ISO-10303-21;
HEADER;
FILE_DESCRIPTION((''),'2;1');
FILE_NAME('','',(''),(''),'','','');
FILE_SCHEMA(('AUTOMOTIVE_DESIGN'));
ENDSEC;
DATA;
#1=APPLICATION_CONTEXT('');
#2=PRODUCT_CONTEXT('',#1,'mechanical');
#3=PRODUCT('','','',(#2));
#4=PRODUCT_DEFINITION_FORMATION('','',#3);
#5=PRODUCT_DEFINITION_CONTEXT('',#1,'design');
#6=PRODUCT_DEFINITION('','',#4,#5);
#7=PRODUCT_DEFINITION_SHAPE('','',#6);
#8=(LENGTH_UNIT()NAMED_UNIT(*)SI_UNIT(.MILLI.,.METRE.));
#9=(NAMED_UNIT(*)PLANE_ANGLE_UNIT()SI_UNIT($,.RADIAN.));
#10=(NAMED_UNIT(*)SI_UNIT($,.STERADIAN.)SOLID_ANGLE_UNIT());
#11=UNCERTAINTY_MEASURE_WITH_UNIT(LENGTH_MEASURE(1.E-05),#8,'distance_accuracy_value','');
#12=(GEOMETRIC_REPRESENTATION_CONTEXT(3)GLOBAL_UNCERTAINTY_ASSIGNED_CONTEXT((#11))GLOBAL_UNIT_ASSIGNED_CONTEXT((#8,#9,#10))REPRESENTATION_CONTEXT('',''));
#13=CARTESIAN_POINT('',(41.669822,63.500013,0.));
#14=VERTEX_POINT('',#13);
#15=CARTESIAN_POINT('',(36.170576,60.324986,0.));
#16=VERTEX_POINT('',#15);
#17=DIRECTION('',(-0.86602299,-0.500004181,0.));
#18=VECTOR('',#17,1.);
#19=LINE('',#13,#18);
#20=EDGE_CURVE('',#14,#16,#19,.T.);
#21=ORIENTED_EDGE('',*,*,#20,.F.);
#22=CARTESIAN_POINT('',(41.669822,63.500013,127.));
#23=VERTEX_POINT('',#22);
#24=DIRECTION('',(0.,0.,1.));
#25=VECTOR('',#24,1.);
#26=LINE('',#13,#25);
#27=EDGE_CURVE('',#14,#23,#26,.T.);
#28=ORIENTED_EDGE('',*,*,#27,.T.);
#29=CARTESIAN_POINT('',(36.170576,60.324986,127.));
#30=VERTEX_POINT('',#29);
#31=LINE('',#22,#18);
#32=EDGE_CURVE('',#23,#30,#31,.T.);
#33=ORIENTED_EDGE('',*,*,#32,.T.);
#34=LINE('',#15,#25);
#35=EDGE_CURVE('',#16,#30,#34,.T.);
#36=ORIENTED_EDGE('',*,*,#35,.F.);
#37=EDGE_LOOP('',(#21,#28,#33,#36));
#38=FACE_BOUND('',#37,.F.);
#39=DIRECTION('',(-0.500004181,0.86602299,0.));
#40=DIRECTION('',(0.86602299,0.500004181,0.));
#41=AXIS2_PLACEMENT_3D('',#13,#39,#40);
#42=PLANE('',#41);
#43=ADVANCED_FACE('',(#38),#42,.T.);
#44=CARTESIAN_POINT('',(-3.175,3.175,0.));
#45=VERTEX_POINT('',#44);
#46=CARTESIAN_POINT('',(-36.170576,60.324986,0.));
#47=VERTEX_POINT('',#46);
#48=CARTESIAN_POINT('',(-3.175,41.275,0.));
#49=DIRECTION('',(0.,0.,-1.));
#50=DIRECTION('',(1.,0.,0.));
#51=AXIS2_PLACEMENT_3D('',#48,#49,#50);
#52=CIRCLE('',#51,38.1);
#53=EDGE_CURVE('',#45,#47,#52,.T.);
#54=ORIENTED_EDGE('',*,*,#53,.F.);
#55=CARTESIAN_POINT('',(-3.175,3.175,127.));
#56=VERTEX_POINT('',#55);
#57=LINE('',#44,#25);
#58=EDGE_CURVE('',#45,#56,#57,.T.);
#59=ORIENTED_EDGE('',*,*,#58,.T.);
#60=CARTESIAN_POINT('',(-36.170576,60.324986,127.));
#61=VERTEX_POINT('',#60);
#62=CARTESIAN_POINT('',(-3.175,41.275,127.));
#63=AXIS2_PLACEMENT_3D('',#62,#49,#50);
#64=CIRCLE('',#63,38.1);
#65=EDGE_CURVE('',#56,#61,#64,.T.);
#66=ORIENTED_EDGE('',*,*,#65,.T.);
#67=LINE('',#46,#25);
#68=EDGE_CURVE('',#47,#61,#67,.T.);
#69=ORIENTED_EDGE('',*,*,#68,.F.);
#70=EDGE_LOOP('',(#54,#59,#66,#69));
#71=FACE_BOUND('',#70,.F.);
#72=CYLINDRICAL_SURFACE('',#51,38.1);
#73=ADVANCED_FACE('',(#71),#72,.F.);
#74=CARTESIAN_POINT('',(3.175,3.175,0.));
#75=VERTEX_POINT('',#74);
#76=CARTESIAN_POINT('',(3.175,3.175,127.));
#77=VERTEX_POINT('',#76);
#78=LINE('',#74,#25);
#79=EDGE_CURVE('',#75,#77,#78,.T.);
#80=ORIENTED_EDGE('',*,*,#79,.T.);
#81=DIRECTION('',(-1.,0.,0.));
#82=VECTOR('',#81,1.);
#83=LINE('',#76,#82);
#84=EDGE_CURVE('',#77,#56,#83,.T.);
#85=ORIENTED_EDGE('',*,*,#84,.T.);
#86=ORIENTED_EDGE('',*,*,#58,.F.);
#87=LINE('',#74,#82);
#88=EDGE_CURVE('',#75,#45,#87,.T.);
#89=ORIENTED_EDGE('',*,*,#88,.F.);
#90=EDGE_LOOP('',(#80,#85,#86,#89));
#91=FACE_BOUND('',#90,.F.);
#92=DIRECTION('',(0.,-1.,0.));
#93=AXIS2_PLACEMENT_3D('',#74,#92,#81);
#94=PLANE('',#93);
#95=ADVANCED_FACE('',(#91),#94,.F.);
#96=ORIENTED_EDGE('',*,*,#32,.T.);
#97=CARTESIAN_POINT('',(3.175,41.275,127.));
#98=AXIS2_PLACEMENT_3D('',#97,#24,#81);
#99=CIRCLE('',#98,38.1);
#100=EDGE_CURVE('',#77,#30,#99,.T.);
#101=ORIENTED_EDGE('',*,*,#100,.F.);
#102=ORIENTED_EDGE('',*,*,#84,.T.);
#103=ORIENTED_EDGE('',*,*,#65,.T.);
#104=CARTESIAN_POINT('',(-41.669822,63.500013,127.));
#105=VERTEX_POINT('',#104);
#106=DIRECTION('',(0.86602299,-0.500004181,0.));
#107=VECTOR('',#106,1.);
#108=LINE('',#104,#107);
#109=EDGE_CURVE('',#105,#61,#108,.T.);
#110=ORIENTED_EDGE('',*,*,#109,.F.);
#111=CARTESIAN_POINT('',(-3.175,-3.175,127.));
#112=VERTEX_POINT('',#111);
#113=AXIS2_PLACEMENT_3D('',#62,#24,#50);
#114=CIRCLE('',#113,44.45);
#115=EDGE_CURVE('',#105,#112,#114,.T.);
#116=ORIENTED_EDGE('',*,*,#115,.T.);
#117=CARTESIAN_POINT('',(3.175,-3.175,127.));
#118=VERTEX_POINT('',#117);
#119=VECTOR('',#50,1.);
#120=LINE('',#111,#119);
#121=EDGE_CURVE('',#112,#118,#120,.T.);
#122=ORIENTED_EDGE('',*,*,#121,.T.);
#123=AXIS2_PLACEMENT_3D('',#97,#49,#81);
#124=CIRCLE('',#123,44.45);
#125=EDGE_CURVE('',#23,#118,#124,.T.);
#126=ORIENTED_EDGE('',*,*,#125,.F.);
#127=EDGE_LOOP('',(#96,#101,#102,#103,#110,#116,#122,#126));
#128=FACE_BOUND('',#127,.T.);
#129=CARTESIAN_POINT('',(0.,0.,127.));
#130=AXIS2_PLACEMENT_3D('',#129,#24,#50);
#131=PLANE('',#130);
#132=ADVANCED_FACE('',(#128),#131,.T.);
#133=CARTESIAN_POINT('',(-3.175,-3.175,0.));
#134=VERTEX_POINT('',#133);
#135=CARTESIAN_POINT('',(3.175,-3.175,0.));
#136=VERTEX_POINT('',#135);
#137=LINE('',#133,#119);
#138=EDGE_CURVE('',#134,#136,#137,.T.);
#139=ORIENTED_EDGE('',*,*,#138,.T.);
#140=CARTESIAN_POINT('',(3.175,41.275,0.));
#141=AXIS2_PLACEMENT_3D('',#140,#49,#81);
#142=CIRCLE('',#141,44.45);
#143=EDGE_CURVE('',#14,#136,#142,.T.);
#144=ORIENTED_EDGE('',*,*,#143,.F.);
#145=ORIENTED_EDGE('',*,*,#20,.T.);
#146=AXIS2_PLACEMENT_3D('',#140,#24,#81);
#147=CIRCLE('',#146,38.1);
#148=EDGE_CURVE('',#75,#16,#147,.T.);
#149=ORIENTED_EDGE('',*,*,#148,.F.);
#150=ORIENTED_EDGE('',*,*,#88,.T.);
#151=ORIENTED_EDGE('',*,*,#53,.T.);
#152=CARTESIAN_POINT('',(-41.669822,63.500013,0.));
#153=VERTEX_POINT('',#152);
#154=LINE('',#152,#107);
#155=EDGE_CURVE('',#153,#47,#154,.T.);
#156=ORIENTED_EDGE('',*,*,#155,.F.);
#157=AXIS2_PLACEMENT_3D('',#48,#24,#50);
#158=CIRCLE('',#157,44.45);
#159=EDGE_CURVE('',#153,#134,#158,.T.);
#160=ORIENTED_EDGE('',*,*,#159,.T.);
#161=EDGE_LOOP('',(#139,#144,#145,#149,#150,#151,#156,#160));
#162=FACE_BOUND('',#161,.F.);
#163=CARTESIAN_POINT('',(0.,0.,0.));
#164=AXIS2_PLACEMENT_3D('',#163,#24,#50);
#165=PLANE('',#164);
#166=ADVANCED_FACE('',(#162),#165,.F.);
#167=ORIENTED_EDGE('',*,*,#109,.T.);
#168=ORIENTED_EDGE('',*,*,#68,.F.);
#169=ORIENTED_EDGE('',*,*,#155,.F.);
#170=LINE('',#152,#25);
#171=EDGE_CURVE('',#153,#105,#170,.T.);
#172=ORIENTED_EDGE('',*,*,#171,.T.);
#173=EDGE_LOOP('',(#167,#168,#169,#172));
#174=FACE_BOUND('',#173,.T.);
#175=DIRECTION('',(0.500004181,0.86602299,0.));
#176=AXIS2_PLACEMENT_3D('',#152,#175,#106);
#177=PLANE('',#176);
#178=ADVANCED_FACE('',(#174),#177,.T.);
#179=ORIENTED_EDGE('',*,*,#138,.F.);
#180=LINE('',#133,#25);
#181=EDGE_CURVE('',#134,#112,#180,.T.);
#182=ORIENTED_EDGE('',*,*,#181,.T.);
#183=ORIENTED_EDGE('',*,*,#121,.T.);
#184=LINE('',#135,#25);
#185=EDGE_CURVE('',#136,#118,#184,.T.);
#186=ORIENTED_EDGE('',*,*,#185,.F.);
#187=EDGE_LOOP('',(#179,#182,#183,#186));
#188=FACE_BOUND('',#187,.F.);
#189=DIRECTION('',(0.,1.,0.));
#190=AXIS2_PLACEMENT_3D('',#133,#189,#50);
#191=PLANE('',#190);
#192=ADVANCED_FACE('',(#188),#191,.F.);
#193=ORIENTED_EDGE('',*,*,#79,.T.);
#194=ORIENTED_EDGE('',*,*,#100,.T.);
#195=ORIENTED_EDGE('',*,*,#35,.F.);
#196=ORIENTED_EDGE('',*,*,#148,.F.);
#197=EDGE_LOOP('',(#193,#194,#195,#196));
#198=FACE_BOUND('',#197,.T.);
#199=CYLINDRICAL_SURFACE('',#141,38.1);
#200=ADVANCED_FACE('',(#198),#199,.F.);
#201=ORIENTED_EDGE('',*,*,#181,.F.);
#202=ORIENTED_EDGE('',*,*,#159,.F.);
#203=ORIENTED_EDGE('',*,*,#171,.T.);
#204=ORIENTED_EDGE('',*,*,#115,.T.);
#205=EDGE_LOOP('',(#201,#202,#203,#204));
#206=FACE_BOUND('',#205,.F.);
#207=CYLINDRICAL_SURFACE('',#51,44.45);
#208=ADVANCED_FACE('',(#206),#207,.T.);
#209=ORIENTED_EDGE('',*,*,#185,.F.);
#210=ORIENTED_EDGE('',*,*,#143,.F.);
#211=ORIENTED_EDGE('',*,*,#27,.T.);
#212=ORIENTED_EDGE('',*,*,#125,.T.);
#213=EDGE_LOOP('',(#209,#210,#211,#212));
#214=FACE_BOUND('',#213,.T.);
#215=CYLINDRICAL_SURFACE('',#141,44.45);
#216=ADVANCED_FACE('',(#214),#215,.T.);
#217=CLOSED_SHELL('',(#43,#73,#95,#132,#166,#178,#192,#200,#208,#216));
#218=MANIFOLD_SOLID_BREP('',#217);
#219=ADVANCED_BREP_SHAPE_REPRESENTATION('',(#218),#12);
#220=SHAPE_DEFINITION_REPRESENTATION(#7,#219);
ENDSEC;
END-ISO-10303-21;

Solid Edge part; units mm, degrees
sketch "Sketch1" plane through (0, 0, 0) normal (0, 0, 1) x (1, 0, 0)
  line L0 (-3.175, -3.175) -> (3.175, -3.175)
  line L1 (3.175, -3.175) -> (3.175, 3.175)
  line L2 (3.175, 3.175) -> (-3.175, 3.175)
  line L3 (-3.175, 3.175) -> (-3.175, -3.175)
  dimension "D1" = 6.35
  dimension "D2" = 6.35
extrude "Protrusion1" add sketch "Sketch1" along normal blind 127
sketch "Sketch2" plane through (0, 0, 0) normal (0, 0, -1) x (1, 0, 0)
  line L0 (-3.175, -3.175) -> (-3.175, 3.175)
  line L1 (-41.6698, -63.5) -> (-36.1706, -60.325)
  arc A0 (-3.175, -3.175) -> (-36.1706, -60.325) centre (-3.175, -41.275) ccw
  arc A1 (-41.6698, -63.5) -> (-3.175, 3.175) centre (-3.175, -41.275) cw
extrude "ExtrudedProtrusion_2" add sketch "Sketch2" against normal blind 127
mirror "Mirror1" about plane through (0, 0, 0) normal (1, 0, 0) of "ExtrudedProtrusion_2"
properties part number "SPaRC - 02 - 004"
